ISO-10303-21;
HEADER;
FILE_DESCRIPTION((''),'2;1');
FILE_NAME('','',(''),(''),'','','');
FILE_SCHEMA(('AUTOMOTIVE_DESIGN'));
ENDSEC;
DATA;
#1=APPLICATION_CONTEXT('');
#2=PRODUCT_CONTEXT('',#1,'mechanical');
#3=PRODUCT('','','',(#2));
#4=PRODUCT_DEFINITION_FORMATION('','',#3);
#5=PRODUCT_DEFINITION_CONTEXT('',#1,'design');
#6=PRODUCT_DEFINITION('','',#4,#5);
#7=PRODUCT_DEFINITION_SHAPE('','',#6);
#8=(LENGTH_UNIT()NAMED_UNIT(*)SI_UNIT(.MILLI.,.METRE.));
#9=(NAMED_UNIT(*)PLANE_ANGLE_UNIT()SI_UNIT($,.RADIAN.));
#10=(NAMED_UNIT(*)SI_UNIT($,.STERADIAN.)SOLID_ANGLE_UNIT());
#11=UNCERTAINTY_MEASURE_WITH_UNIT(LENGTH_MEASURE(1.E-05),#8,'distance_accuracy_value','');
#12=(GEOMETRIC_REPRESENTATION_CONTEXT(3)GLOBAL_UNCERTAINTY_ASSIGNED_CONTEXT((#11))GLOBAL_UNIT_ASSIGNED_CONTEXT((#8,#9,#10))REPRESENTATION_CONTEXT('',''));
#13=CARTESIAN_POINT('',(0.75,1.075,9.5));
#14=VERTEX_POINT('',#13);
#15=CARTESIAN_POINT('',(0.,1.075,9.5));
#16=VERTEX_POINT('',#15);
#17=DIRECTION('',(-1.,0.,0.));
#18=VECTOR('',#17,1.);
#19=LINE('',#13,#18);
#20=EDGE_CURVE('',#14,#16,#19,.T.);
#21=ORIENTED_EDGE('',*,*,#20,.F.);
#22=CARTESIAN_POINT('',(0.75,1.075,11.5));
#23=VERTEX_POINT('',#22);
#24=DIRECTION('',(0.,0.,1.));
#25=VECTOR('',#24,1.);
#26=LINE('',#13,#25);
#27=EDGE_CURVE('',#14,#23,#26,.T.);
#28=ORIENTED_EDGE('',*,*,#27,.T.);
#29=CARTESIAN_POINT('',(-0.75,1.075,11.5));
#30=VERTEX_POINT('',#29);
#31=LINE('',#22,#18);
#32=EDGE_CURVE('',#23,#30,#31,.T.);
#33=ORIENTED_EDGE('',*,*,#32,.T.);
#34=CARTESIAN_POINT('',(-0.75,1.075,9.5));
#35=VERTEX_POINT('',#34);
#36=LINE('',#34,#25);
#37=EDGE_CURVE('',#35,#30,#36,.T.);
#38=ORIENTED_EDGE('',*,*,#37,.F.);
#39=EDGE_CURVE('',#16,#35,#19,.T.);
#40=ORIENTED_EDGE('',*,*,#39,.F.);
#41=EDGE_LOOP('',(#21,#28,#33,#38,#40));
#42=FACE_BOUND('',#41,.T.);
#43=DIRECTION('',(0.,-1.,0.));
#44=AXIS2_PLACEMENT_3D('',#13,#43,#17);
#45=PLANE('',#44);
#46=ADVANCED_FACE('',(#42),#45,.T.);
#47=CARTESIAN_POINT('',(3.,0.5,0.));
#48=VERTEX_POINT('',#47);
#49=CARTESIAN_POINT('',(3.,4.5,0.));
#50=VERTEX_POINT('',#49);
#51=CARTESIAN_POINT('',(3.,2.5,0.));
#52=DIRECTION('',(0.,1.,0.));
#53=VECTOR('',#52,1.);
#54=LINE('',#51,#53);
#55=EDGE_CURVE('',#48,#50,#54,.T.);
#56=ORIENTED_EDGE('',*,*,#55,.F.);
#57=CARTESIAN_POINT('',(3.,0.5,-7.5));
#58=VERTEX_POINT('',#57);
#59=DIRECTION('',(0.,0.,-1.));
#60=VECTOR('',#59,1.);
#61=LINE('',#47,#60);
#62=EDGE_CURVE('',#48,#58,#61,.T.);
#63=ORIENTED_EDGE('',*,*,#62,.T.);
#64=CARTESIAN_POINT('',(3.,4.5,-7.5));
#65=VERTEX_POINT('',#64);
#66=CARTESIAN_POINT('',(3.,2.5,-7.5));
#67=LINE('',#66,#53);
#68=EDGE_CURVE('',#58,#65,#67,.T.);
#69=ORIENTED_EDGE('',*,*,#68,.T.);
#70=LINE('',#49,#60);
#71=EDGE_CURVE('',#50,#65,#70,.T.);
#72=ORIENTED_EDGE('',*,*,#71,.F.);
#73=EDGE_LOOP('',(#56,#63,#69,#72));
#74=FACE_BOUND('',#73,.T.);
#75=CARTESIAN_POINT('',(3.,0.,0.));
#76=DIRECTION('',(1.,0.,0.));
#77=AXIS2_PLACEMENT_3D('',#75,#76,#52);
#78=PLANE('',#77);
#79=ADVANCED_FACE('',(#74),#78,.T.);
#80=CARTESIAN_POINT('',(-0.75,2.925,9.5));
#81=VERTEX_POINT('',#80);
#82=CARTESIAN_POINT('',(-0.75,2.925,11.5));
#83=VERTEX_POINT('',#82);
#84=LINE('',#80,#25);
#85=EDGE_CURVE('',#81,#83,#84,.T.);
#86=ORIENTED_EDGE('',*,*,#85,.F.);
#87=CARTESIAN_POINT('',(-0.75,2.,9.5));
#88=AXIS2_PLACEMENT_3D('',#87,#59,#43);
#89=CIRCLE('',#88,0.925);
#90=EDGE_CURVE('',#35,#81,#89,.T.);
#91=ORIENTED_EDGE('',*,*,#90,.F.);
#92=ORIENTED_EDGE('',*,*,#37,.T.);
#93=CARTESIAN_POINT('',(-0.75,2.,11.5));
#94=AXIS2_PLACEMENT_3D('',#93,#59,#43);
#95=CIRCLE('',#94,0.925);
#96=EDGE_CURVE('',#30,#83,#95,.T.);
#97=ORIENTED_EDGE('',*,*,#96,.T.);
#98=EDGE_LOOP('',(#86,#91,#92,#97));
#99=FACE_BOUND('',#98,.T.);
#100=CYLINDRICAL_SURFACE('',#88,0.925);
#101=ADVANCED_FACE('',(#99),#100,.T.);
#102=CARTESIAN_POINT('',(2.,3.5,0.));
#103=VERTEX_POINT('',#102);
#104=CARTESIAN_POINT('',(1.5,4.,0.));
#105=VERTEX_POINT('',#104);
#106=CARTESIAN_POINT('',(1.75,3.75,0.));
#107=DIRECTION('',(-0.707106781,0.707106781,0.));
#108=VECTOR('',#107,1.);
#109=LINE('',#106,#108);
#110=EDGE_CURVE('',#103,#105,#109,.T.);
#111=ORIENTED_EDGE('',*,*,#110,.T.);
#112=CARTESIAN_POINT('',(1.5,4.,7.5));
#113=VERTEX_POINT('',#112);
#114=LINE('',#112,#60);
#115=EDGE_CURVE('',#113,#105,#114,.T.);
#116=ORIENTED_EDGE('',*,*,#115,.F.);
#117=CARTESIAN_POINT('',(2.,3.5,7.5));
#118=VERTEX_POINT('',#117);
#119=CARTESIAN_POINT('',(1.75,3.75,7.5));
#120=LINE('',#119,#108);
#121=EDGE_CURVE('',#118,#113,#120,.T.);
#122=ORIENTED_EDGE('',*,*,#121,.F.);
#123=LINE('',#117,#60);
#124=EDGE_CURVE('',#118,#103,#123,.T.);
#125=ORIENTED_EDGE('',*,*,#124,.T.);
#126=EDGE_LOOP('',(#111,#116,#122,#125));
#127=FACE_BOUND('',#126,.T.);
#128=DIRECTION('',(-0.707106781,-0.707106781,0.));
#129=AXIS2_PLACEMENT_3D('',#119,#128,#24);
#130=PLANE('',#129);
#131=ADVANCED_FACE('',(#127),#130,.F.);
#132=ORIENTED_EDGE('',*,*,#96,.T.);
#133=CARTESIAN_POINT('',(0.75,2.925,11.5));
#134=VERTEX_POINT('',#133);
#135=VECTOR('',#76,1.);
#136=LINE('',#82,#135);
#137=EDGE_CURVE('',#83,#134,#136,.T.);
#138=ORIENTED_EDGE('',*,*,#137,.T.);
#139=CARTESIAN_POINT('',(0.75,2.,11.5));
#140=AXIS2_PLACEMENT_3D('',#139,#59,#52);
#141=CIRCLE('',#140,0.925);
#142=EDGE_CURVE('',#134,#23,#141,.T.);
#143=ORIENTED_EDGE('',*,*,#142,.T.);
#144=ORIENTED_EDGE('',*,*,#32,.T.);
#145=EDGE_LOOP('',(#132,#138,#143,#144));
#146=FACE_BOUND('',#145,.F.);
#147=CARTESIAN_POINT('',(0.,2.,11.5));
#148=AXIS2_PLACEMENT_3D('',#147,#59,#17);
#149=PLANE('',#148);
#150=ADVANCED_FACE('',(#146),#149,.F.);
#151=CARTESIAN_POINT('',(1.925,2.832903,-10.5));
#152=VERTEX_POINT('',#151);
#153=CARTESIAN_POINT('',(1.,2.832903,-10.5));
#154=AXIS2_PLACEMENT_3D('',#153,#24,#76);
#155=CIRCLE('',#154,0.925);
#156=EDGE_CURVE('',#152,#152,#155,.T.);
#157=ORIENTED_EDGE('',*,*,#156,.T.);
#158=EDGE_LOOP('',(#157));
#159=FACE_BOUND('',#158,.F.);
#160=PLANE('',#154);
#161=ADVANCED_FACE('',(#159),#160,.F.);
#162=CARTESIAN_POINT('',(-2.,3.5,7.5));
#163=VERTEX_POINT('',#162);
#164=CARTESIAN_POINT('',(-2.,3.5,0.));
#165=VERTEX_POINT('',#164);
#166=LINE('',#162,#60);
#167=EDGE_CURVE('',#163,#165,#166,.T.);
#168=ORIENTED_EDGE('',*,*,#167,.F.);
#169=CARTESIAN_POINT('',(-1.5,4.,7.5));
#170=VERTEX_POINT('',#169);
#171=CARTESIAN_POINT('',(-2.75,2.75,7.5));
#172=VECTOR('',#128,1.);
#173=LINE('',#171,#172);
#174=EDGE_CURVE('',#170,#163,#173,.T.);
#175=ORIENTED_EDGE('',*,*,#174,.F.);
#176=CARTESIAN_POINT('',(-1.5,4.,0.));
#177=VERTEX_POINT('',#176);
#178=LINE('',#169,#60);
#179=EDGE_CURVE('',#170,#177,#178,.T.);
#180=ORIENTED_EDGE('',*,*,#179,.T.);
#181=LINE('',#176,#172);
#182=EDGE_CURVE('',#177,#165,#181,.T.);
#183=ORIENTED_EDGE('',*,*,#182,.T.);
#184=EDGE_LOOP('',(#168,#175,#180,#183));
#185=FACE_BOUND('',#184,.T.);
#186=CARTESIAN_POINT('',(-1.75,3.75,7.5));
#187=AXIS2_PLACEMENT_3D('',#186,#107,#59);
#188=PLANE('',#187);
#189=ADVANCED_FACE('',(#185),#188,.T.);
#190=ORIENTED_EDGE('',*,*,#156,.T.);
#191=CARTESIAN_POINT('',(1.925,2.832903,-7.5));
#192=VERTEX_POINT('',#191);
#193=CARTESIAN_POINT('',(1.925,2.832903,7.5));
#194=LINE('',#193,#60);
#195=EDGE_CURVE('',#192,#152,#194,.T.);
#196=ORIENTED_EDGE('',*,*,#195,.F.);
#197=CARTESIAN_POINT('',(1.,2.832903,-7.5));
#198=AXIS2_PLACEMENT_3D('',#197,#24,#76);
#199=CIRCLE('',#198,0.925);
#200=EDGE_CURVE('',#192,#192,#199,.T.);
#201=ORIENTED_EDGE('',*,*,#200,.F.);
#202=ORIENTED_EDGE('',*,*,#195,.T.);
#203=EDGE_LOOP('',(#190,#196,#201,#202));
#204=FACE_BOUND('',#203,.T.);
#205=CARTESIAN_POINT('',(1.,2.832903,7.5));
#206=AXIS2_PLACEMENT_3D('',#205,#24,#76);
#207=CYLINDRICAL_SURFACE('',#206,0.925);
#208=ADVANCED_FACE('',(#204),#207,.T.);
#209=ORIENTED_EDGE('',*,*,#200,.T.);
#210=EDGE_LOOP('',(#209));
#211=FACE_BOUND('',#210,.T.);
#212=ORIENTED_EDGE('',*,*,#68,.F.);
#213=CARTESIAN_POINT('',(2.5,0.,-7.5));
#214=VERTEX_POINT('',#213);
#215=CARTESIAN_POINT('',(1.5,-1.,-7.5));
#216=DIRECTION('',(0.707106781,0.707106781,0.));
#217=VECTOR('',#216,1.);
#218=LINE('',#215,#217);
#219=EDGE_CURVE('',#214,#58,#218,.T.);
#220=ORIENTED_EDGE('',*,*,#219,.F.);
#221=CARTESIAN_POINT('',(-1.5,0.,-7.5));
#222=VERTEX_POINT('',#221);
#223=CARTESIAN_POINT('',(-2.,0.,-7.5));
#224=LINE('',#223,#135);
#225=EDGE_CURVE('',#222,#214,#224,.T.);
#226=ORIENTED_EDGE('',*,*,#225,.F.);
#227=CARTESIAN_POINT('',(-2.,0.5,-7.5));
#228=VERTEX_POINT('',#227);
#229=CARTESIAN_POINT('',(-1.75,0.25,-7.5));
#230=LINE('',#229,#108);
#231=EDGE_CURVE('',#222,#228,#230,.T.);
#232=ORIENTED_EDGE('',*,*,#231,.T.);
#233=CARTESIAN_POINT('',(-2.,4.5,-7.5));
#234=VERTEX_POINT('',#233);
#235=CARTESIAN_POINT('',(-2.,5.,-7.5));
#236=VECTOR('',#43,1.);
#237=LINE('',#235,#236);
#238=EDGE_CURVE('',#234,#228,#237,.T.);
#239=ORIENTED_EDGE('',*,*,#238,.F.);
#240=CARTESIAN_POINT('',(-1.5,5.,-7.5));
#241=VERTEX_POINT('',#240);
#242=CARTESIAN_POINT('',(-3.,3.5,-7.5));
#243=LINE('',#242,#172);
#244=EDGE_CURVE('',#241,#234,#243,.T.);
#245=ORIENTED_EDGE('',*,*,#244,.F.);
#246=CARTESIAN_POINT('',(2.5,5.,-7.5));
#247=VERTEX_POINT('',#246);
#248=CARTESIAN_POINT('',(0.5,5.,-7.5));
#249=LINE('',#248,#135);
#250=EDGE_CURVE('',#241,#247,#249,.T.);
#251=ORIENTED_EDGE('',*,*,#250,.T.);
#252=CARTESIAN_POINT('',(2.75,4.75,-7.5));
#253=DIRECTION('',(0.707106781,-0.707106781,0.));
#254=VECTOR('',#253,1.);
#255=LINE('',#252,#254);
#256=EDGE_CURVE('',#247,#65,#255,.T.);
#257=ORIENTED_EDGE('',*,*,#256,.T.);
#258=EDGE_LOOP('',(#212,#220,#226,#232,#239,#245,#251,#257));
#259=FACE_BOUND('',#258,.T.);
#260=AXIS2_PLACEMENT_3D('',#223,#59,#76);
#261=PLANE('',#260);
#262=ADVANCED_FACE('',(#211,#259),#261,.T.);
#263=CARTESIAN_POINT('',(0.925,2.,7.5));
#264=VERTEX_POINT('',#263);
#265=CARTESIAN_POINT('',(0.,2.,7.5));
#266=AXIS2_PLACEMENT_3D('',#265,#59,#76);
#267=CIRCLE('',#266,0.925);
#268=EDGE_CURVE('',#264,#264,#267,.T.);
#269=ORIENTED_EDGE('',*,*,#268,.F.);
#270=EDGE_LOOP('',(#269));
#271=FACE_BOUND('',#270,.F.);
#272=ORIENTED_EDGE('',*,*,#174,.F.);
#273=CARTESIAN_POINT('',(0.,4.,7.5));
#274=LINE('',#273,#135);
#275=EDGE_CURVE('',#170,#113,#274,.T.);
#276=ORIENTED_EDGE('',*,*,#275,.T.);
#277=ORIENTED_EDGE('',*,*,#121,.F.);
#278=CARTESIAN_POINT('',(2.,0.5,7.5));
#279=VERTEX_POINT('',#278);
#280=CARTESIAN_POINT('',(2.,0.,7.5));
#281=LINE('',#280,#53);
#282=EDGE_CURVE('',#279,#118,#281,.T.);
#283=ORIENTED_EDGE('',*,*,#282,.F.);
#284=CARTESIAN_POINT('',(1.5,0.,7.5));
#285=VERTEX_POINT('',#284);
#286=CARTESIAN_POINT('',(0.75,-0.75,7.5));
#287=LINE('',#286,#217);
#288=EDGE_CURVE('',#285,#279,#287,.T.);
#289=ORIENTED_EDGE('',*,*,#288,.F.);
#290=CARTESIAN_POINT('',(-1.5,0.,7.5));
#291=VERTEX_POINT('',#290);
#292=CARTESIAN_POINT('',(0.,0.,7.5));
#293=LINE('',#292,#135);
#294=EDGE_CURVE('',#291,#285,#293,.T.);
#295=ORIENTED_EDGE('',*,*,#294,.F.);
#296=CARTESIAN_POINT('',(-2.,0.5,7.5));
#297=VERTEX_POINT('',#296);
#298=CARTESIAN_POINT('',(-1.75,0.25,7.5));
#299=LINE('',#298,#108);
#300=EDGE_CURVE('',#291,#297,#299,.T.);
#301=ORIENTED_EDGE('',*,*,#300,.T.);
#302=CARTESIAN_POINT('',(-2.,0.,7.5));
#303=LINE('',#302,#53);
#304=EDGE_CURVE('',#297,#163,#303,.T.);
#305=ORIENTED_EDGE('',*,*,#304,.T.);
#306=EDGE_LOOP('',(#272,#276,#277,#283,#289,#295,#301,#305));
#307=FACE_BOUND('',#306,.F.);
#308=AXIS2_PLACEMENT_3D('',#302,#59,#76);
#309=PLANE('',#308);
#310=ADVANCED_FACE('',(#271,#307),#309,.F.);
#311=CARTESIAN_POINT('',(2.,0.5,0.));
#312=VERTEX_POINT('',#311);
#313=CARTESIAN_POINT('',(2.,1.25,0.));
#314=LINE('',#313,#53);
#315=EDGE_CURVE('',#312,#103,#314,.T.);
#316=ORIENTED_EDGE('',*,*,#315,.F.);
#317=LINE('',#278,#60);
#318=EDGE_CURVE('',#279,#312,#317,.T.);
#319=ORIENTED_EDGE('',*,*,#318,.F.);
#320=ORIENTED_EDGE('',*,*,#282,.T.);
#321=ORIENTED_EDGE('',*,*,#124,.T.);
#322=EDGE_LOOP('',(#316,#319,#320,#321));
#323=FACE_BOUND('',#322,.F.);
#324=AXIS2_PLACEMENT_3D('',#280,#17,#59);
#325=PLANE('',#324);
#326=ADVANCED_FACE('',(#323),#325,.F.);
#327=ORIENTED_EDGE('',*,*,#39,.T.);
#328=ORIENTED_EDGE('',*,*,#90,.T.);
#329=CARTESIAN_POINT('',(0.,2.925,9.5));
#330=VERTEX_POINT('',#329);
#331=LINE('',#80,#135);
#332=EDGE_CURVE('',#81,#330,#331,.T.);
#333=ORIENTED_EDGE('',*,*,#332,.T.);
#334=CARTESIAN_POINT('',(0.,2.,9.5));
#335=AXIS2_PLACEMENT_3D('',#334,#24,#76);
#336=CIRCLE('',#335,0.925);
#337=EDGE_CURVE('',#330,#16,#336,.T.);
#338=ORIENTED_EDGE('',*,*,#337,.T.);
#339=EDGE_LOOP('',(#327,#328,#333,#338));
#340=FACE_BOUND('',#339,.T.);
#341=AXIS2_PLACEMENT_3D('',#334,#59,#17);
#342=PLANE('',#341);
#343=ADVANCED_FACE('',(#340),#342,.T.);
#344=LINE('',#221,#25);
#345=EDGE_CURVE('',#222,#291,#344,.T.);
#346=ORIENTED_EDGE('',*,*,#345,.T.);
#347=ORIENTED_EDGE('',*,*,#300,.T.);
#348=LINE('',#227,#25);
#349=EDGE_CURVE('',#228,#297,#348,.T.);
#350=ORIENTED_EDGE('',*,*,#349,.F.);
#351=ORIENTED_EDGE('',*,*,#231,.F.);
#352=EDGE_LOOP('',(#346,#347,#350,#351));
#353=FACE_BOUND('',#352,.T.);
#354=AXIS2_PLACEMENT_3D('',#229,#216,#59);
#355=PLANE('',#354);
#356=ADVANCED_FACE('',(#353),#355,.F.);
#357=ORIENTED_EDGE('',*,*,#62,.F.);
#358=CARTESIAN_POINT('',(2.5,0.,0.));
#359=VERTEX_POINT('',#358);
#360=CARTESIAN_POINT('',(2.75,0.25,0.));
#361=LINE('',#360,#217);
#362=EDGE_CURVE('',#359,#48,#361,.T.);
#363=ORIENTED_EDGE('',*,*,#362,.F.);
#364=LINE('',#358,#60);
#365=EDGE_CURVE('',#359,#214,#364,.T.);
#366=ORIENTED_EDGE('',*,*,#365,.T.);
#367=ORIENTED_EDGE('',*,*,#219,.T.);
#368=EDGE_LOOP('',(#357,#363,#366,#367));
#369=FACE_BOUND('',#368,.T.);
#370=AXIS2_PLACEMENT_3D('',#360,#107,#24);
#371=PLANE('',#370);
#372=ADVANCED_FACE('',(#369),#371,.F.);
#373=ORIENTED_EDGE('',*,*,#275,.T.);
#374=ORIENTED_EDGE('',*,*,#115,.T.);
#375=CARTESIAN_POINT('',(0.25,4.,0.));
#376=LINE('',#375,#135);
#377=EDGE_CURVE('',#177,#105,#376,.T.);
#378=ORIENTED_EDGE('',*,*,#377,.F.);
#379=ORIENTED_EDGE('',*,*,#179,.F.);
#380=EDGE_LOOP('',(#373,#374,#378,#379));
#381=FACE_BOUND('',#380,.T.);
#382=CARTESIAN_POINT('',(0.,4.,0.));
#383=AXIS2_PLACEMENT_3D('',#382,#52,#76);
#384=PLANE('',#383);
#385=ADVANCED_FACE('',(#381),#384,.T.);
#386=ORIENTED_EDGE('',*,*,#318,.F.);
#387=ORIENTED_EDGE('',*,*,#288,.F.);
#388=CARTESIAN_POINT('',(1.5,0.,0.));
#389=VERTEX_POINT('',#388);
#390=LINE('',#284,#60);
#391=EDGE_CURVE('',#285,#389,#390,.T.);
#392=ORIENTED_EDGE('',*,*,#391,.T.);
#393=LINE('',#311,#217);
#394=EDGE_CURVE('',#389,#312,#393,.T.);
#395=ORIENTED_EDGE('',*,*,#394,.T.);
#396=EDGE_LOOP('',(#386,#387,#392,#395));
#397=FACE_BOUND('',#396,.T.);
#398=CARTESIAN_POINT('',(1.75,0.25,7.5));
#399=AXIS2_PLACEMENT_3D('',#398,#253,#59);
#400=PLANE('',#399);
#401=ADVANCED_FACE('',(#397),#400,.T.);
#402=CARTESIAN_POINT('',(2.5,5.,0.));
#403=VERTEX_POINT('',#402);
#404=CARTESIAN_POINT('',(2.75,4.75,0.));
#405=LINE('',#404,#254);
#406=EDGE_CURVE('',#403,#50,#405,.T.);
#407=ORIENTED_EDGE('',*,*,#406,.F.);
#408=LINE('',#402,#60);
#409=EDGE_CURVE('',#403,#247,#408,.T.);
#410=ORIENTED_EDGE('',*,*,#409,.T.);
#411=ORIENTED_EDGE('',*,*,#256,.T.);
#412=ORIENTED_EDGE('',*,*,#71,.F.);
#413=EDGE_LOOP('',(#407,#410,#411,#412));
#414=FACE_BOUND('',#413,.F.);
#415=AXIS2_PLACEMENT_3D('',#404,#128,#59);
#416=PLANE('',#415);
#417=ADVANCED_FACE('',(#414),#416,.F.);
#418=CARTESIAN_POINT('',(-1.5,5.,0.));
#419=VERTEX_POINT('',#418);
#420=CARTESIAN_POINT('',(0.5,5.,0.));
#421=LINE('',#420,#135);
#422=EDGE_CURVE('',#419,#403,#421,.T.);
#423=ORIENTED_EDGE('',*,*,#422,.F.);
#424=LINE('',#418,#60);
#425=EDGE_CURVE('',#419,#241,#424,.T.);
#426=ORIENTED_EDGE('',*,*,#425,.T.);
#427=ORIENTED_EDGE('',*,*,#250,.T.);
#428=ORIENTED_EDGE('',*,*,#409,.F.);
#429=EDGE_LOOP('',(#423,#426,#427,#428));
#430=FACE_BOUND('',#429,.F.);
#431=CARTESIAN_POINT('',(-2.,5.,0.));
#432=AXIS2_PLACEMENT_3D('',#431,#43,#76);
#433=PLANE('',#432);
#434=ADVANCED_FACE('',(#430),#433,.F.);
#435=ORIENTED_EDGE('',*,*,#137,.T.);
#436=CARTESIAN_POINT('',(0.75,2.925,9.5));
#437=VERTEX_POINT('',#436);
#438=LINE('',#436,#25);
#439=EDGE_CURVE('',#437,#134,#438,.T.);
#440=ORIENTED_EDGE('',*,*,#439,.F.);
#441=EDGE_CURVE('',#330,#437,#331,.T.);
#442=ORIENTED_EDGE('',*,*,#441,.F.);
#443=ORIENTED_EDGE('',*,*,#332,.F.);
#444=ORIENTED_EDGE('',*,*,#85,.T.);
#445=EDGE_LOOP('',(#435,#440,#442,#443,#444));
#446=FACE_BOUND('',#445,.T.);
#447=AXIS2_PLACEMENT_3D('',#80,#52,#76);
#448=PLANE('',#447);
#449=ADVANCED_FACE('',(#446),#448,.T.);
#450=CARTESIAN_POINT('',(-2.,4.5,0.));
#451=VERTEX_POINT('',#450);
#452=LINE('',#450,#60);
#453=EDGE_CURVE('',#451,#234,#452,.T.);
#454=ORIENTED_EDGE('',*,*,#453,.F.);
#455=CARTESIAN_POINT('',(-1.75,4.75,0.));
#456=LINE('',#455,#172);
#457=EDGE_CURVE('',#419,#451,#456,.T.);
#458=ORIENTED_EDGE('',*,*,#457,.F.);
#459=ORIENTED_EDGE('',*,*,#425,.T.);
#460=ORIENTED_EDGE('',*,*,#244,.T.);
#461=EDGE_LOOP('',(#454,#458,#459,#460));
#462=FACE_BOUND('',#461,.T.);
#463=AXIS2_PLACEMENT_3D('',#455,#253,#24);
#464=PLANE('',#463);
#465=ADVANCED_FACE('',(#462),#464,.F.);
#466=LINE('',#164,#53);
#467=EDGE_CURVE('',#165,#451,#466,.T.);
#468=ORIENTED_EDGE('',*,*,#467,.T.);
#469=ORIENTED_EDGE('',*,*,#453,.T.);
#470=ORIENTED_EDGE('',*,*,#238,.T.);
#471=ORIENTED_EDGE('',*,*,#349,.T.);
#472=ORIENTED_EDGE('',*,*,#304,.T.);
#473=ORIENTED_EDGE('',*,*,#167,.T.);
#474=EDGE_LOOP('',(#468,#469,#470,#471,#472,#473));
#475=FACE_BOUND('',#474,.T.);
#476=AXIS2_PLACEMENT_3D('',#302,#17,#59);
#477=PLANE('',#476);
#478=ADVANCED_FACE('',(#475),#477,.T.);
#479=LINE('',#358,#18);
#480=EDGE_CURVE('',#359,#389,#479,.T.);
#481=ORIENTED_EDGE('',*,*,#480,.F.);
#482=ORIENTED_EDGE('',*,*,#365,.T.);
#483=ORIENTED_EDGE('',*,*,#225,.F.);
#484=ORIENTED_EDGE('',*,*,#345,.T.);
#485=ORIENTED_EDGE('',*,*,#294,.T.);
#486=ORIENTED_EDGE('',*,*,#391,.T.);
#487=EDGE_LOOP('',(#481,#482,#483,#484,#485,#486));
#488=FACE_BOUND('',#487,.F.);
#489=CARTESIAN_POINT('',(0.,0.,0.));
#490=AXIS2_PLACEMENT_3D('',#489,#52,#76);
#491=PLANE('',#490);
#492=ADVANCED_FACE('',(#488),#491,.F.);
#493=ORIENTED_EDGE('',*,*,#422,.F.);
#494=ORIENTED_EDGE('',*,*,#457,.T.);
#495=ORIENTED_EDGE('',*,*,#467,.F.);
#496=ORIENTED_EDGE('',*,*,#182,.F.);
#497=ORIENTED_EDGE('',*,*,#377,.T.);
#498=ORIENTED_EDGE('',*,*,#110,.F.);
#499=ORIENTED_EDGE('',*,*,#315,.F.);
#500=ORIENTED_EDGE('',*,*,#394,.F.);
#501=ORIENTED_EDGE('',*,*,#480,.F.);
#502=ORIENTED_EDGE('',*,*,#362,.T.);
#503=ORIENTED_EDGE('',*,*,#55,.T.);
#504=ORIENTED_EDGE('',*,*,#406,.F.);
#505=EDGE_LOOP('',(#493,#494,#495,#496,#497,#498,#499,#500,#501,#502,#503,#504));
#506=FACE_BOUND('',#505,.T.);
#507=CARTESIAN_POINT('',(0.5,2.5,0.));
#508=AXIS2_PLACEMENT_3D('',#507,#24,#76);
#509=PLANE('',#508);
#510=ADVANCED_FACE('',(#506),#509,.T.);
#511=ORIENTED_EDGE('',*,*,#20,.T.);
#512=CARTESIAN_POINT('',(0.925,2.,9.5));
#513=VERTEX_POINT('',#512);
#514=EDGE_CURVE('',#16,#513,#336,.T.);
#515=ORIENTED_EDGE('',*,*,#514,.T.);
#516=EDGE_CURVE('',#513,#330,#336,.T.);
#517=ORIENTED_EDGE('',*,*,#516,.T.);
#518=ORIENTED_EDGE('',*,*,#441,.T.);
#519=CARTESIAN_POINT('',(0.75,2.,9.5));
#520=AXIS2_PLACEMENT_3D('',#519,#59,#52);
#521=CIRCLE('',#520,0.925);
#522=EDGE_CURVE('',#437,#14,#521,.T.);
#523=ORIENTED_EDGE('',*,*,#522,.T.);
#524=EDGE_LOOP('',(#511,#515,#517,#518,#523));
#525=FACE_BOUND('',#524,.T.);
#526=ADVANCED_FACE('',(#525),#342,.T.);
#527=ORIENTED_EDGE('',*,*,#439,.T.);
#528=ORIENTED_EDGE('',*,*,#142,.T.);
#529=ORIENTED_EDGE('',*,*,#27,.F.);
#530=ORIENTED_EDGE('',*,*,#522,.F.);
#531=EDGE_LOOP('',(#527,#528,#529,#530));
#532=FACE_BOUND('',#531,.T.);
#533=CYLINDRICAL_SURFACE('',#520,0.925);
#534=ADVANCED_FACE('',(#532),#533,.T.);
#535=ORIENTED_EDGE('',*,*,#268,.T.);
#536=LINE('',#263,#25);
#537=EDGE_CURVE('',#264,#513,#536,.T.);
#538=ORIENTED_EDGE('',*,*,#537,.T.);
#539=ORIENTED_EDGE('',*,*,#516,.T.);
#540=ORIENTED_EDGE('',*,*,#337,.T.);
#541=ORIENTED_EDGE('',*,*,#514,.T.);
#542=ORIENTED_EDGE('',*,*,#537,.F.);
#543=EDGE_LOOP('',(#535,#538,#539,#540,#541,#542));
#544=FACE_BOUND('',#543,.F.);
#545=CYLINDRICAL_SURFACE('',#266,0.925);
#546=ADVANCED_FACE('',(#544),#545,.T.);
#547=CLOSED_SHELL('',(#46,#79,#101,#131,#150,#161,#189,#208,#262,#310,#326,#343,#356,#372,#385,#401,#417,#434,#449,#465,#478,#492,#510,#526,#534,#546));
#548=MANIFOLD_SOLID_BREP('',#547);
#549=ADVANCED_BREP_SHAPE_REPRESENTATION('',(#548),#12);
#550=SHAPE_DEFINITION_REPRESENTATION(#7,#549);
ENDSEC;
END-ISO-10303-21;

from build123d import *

# Parameters (mm, degrees)
SKETCH1_W           = 4
SKETCH1_H           = 15
BOSS_EXTRUDE1_DEPTH = 4
SKETCH2_R           = 0.925
BOSS_EXTRUDE2_DEPTH = 2
BOSS_EXTRUDE3_DEPTH = 2
SKETCH6_W           = 5
SKETCH6_H           = 5
BOSS_EXTRUDE5_DEPTH = 7.5
SKETCH7_R           = 0.925
BOSS_EXTRUDE6_DEPTH = 18
CHAMFER1_SIZE       = 0.5


with BuildPart() as part:
    # Sketch1 → Boss-Extrude1 (new body)
    with BuildSketch(Plane(origin=(0, 0, 0), x_dir=(1, 0, 0), z_dir=(0, 1, 0))):
        Rectangle(SKETCH1_W, SKETCH1_H)
    extrude(amount=BOSS_EXTRUDE1_DEPTH)

    # Sketch2 → Boss-Extrude2 (add)
    with BuildSketch(Plane.XY.offset(7.5)):
        with Locations((0, 2)):
            Circle(SKETCH2_R)
    extrude(amount=BOSS_EXTRUDE2_DEPTH)

    # Sketch3 → Boss-Extrude3 (add)
    with BuildSketch(Plane.XY.offset(9.5)):
        with BuildLine():
            Line((-0.75, 2.925), (0.75, 2.925))
            ThreePointArc((0.75, 2.925), (1.675, 2), (0.75, 1.075))
            Line((0.75, 1.075), (-0.75, 1.075))
            ThreePointArc((-0.75, 1.075), (-1.675, 2), (-0.75, 2.925))
        make_face()
    extrude(amount=BOSS_EXTRUDE3_DEPTH)

    # Sketch6 → Boss-Extrude5 (add)
    with BuildSketch(Plane.XY):
        with Locations((0.5, 2.5)):
            Rectangle(SKETCH6_W, SKETCH6_H)
    extrude(amount=-BOSS_EXTRUDE5_DEPTH)

    # Sketch7 → Boss-Extrude6 (add)
    with BuildSketch(Plane.XY.offset(7.5)):
        with Locations((1, 2.832903413)):
            Circle(SKETCH7_R)
    extrude(amount=-BOSS_EXTRUDE6_DEPTH)

    # Chamfer1
    chamfer1_edges = [part.edges().sort_by_distance(p)[0] for p in [
        (-2, 4, 3.75),
        (3, 0, -3.75),
        (-2, 5, -3.75),
        (3, 5, -3.75),
        (2, 4, 3.75),
        (-2, 0, 0),
        (2, 0, 3.75),
    ]]
    chamfer(chamfer1_edges, length=CHAMFER1_SIZE)


solid = part.part
